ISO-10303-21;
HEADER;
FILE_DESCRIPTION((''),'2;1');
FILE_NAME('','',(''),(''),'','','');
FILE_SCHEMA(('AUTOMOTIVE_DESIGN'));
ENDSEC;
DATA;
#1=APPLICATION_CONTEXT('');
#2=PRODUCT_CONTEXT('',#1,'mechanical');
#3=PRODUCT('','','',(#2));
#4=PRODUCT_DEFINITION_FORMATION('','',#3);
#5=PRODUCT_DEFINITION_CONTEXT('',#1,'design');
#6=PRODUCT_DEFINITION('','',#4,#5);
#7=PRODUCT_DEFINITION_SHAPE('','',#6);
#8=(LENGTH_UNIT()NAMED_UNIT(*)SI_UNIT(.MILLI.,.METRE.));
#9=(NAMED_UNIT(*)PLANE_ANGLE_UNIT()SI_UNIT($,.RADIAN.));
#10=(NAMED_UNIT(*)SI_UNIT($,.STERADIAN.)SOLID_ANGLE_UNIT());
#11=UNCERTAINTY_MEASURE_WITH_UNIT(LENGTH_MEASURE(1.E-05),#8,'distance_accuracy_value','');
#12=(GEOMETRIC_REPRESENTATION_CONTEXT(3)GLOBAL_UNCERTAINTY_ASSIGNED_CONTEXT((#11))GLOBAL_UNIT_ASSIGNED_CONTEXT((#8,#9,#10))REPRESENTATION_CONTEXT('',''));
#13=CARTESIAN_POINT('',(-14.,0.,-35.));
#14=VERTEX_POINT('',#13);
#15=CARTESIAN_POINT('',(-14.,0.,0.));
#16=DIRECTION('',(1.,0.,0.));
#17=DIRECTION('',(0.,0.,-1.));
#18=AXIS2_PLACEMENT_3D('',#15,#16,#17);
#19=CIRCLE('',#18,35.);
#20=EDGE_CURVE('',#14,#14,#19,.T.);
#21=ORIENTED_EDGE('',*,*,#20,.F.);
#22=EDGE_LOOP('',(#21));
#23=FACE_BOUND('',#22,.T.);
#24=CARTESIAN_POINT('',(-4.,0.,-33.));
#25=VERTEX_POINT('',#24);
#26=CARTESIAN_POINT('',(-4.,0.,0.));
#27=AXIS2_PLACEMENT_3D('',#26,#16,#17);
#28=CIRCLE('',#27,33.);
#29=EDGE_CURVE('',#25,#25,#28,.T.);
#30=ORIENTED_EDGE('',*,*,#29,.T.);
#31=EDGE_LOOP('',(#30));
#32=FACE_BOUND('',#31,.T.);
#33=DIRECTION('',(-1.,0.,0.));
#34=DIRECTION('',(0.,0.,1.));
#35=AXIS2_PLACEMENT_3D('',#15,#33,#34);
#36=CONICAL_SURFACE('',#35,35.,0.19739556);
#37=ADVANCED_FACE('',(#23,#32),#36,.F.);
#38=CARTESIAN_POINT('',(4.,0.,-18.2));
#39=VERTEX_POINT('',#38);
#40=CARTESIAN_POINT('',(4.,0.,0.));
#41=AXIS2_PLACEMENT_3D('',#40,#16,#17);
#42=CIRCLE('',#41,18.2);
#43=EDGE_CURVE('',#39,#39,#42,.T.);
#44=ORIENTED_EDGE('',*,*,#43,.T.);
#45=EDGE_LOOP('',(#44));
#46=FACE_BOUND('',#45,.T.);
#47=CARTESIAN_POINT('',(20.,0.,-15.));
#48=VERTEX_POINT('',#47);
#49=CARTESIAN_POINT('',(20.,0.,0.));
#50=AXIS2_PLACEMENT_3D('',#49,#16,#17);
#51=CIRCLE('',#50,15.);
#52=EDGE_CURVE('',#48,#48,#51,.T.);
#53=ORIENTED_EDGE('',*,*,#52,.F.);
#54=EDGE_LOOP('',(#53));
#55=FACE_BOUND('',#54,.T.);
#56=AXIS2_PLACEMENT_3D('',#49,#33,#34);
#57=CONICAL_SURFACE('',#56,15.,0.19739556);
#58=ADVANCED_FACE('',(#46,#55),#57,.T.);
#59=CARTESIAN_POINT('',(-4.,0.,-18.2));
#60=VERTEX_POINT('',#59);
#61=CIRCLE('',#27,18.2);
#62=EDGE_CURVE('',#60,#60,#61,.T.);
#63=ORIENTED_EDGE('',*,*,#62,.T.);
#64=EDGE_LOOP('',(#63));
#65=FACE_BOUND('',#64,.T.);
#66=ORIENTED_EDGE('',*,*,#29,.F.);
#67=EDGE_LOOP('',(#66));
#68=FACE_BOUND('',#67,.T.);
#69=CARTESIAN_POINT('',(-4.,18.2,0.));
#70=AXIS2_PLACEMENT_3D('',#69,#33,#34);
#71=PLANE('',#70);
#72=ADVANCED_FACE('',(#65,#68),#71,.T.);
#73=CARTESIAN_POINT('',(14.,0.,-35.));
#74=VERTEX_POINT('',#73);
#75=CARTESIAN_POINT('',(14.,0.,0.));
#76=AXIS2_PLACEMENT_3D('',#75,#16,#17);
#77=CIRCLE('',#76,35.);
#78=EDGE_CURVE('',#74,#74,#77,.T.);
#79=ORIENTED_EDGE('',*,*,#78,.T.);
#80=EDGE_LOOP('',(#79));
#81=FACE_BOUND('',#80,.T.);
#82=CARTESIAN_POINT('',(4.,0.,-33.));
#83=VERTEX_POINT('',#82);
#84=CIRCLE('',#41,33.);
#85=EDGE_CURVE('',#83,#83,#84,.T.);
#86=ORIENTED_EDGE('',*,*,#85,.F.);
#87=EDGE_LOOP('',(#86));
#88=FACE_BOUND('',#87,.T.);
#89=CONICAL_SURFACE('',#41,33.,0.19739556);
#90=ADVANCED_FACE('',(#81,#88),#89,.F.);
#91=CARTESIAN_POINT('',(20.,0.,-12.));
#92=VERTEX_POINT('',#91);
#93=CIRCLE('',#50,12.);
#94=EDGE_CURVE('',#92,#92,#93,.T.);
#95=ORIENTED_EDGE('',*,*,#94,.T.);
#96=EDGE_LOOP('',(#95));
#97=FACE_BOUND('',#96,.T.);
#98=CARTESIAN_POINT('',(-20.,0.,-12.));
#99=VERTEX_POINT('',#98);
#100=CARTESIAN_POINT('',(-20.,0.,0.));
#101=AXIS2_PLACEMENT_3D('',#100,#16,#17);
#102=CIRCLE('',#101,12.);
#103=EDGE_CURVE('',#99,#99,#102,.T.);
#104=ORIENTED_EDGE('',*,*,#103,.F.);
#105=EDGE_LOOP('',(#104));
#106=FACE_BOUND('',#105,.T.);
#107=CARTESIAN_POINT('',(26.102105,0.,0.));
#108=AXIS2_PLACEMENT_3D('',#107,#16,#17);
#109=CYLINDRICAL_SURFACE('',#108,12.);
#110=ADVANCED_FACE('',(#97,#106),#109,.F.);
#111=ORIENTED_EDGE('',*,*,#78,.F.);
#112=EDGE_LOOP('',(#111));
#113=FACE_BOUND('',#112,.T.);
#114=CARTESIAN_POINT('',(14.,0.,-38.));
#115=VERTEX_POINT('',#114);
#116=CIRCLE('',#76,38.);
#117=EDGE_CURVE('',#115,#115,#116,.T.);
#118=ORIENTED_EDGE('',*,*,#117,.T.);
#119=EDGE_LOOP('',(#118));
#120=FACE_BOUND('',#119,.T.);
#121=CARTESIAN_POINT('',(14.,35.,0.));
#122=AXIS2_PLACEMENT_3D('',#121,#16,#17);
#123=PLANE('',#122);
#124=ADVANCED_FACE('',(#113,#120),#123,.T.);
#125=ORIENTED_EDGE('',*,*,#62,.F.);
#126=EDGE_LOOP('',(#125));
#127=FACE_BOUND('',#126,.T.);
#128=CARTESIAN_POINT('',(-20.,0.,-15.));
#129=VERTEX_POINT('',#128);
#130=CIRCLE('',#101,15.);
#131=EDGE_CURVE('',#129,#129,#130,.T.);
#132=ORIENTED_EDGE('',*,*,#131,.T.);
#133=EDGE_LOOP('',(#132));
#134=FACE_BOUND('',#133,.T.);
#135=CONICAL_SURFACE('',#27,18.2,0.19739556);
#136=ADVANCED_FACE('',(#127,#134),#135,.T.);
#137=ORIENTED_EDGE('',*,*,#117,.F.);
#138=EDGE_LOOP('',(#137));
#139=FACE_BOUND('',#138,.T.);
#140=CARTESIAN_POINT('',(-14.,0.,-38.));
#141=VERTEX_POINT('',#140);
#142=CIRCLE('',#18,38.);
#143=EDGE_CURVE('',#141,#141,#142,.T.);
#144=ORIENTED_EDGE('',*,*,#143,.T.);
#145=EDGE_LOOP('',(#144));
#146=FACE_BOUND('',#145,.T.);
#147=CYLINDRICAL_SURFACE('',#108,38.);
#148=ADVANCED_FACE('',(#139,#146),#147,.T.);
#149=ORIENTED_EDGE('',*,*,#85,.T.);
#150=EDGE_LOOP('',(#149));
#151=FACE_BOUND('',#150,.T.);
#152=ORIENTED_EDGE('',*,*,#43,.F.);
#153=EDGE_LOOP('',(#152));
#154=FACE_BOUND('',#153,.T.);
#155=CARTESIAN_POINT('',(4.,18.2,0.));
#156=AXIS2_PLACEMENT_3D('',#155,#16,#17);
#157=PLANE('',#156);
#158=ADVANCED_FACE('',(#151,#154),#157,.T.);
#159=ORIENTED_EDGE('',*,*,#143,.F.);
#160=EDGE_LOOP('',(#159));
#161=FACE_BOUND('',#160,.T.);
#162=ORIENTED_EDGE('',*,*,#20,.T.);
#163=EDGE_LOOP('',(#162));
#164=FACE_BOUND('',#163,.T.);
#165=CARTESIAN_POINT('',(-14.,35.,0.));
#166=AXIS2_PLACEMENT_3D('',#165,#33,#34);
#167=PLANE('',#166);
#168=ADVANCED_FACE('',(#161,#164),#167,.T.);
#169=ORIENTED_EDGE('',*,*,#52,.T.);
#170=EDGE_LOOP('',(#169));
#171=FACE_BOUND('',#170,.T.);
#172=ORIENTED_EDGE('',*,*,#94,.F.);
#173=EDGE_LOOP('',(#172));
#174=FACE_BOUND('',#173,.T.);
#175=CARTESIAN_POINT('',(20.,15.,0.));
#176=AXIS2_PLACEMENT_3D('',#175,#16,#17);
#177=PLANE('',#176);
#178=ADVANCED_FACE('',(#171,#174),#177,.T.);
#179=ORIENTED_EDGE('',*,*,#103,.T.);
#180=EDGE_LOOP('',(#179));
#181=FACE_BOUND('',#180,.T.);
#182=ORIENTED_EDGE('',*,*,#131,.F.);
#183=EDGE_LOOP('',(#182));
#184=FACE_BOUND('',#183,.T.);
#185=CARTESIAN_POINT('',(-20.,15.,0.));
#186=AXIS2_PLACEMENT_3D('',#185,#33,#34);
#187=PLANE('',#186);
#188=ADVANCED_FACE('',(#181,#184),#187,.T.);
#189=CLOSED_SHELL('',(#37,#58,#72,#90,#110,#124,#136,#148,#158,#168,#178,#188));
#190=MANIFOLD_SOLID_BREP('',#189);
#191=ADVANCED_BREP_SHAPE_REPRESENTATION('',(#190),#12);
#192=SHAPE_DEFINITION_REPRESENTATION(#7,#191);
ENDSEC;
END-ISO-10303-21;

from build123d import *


with BuildPart() as part:
    # Sketch2 → Revolve1 (revolve)
    with BuildSketch(Plane.XY):
        Polygon((20, 15), (20, 12), (-20, 12), (-20, 15), (-4, 18.2), (-4, 33), (-14, 35), (-14, 38), (14, 38), (14, 35), (4, 33), (4, 18.2), align=None)
    revolve(axis=Axis((26.10210505, 0, 0), (-1, 0, 0)))


solid = part.part
